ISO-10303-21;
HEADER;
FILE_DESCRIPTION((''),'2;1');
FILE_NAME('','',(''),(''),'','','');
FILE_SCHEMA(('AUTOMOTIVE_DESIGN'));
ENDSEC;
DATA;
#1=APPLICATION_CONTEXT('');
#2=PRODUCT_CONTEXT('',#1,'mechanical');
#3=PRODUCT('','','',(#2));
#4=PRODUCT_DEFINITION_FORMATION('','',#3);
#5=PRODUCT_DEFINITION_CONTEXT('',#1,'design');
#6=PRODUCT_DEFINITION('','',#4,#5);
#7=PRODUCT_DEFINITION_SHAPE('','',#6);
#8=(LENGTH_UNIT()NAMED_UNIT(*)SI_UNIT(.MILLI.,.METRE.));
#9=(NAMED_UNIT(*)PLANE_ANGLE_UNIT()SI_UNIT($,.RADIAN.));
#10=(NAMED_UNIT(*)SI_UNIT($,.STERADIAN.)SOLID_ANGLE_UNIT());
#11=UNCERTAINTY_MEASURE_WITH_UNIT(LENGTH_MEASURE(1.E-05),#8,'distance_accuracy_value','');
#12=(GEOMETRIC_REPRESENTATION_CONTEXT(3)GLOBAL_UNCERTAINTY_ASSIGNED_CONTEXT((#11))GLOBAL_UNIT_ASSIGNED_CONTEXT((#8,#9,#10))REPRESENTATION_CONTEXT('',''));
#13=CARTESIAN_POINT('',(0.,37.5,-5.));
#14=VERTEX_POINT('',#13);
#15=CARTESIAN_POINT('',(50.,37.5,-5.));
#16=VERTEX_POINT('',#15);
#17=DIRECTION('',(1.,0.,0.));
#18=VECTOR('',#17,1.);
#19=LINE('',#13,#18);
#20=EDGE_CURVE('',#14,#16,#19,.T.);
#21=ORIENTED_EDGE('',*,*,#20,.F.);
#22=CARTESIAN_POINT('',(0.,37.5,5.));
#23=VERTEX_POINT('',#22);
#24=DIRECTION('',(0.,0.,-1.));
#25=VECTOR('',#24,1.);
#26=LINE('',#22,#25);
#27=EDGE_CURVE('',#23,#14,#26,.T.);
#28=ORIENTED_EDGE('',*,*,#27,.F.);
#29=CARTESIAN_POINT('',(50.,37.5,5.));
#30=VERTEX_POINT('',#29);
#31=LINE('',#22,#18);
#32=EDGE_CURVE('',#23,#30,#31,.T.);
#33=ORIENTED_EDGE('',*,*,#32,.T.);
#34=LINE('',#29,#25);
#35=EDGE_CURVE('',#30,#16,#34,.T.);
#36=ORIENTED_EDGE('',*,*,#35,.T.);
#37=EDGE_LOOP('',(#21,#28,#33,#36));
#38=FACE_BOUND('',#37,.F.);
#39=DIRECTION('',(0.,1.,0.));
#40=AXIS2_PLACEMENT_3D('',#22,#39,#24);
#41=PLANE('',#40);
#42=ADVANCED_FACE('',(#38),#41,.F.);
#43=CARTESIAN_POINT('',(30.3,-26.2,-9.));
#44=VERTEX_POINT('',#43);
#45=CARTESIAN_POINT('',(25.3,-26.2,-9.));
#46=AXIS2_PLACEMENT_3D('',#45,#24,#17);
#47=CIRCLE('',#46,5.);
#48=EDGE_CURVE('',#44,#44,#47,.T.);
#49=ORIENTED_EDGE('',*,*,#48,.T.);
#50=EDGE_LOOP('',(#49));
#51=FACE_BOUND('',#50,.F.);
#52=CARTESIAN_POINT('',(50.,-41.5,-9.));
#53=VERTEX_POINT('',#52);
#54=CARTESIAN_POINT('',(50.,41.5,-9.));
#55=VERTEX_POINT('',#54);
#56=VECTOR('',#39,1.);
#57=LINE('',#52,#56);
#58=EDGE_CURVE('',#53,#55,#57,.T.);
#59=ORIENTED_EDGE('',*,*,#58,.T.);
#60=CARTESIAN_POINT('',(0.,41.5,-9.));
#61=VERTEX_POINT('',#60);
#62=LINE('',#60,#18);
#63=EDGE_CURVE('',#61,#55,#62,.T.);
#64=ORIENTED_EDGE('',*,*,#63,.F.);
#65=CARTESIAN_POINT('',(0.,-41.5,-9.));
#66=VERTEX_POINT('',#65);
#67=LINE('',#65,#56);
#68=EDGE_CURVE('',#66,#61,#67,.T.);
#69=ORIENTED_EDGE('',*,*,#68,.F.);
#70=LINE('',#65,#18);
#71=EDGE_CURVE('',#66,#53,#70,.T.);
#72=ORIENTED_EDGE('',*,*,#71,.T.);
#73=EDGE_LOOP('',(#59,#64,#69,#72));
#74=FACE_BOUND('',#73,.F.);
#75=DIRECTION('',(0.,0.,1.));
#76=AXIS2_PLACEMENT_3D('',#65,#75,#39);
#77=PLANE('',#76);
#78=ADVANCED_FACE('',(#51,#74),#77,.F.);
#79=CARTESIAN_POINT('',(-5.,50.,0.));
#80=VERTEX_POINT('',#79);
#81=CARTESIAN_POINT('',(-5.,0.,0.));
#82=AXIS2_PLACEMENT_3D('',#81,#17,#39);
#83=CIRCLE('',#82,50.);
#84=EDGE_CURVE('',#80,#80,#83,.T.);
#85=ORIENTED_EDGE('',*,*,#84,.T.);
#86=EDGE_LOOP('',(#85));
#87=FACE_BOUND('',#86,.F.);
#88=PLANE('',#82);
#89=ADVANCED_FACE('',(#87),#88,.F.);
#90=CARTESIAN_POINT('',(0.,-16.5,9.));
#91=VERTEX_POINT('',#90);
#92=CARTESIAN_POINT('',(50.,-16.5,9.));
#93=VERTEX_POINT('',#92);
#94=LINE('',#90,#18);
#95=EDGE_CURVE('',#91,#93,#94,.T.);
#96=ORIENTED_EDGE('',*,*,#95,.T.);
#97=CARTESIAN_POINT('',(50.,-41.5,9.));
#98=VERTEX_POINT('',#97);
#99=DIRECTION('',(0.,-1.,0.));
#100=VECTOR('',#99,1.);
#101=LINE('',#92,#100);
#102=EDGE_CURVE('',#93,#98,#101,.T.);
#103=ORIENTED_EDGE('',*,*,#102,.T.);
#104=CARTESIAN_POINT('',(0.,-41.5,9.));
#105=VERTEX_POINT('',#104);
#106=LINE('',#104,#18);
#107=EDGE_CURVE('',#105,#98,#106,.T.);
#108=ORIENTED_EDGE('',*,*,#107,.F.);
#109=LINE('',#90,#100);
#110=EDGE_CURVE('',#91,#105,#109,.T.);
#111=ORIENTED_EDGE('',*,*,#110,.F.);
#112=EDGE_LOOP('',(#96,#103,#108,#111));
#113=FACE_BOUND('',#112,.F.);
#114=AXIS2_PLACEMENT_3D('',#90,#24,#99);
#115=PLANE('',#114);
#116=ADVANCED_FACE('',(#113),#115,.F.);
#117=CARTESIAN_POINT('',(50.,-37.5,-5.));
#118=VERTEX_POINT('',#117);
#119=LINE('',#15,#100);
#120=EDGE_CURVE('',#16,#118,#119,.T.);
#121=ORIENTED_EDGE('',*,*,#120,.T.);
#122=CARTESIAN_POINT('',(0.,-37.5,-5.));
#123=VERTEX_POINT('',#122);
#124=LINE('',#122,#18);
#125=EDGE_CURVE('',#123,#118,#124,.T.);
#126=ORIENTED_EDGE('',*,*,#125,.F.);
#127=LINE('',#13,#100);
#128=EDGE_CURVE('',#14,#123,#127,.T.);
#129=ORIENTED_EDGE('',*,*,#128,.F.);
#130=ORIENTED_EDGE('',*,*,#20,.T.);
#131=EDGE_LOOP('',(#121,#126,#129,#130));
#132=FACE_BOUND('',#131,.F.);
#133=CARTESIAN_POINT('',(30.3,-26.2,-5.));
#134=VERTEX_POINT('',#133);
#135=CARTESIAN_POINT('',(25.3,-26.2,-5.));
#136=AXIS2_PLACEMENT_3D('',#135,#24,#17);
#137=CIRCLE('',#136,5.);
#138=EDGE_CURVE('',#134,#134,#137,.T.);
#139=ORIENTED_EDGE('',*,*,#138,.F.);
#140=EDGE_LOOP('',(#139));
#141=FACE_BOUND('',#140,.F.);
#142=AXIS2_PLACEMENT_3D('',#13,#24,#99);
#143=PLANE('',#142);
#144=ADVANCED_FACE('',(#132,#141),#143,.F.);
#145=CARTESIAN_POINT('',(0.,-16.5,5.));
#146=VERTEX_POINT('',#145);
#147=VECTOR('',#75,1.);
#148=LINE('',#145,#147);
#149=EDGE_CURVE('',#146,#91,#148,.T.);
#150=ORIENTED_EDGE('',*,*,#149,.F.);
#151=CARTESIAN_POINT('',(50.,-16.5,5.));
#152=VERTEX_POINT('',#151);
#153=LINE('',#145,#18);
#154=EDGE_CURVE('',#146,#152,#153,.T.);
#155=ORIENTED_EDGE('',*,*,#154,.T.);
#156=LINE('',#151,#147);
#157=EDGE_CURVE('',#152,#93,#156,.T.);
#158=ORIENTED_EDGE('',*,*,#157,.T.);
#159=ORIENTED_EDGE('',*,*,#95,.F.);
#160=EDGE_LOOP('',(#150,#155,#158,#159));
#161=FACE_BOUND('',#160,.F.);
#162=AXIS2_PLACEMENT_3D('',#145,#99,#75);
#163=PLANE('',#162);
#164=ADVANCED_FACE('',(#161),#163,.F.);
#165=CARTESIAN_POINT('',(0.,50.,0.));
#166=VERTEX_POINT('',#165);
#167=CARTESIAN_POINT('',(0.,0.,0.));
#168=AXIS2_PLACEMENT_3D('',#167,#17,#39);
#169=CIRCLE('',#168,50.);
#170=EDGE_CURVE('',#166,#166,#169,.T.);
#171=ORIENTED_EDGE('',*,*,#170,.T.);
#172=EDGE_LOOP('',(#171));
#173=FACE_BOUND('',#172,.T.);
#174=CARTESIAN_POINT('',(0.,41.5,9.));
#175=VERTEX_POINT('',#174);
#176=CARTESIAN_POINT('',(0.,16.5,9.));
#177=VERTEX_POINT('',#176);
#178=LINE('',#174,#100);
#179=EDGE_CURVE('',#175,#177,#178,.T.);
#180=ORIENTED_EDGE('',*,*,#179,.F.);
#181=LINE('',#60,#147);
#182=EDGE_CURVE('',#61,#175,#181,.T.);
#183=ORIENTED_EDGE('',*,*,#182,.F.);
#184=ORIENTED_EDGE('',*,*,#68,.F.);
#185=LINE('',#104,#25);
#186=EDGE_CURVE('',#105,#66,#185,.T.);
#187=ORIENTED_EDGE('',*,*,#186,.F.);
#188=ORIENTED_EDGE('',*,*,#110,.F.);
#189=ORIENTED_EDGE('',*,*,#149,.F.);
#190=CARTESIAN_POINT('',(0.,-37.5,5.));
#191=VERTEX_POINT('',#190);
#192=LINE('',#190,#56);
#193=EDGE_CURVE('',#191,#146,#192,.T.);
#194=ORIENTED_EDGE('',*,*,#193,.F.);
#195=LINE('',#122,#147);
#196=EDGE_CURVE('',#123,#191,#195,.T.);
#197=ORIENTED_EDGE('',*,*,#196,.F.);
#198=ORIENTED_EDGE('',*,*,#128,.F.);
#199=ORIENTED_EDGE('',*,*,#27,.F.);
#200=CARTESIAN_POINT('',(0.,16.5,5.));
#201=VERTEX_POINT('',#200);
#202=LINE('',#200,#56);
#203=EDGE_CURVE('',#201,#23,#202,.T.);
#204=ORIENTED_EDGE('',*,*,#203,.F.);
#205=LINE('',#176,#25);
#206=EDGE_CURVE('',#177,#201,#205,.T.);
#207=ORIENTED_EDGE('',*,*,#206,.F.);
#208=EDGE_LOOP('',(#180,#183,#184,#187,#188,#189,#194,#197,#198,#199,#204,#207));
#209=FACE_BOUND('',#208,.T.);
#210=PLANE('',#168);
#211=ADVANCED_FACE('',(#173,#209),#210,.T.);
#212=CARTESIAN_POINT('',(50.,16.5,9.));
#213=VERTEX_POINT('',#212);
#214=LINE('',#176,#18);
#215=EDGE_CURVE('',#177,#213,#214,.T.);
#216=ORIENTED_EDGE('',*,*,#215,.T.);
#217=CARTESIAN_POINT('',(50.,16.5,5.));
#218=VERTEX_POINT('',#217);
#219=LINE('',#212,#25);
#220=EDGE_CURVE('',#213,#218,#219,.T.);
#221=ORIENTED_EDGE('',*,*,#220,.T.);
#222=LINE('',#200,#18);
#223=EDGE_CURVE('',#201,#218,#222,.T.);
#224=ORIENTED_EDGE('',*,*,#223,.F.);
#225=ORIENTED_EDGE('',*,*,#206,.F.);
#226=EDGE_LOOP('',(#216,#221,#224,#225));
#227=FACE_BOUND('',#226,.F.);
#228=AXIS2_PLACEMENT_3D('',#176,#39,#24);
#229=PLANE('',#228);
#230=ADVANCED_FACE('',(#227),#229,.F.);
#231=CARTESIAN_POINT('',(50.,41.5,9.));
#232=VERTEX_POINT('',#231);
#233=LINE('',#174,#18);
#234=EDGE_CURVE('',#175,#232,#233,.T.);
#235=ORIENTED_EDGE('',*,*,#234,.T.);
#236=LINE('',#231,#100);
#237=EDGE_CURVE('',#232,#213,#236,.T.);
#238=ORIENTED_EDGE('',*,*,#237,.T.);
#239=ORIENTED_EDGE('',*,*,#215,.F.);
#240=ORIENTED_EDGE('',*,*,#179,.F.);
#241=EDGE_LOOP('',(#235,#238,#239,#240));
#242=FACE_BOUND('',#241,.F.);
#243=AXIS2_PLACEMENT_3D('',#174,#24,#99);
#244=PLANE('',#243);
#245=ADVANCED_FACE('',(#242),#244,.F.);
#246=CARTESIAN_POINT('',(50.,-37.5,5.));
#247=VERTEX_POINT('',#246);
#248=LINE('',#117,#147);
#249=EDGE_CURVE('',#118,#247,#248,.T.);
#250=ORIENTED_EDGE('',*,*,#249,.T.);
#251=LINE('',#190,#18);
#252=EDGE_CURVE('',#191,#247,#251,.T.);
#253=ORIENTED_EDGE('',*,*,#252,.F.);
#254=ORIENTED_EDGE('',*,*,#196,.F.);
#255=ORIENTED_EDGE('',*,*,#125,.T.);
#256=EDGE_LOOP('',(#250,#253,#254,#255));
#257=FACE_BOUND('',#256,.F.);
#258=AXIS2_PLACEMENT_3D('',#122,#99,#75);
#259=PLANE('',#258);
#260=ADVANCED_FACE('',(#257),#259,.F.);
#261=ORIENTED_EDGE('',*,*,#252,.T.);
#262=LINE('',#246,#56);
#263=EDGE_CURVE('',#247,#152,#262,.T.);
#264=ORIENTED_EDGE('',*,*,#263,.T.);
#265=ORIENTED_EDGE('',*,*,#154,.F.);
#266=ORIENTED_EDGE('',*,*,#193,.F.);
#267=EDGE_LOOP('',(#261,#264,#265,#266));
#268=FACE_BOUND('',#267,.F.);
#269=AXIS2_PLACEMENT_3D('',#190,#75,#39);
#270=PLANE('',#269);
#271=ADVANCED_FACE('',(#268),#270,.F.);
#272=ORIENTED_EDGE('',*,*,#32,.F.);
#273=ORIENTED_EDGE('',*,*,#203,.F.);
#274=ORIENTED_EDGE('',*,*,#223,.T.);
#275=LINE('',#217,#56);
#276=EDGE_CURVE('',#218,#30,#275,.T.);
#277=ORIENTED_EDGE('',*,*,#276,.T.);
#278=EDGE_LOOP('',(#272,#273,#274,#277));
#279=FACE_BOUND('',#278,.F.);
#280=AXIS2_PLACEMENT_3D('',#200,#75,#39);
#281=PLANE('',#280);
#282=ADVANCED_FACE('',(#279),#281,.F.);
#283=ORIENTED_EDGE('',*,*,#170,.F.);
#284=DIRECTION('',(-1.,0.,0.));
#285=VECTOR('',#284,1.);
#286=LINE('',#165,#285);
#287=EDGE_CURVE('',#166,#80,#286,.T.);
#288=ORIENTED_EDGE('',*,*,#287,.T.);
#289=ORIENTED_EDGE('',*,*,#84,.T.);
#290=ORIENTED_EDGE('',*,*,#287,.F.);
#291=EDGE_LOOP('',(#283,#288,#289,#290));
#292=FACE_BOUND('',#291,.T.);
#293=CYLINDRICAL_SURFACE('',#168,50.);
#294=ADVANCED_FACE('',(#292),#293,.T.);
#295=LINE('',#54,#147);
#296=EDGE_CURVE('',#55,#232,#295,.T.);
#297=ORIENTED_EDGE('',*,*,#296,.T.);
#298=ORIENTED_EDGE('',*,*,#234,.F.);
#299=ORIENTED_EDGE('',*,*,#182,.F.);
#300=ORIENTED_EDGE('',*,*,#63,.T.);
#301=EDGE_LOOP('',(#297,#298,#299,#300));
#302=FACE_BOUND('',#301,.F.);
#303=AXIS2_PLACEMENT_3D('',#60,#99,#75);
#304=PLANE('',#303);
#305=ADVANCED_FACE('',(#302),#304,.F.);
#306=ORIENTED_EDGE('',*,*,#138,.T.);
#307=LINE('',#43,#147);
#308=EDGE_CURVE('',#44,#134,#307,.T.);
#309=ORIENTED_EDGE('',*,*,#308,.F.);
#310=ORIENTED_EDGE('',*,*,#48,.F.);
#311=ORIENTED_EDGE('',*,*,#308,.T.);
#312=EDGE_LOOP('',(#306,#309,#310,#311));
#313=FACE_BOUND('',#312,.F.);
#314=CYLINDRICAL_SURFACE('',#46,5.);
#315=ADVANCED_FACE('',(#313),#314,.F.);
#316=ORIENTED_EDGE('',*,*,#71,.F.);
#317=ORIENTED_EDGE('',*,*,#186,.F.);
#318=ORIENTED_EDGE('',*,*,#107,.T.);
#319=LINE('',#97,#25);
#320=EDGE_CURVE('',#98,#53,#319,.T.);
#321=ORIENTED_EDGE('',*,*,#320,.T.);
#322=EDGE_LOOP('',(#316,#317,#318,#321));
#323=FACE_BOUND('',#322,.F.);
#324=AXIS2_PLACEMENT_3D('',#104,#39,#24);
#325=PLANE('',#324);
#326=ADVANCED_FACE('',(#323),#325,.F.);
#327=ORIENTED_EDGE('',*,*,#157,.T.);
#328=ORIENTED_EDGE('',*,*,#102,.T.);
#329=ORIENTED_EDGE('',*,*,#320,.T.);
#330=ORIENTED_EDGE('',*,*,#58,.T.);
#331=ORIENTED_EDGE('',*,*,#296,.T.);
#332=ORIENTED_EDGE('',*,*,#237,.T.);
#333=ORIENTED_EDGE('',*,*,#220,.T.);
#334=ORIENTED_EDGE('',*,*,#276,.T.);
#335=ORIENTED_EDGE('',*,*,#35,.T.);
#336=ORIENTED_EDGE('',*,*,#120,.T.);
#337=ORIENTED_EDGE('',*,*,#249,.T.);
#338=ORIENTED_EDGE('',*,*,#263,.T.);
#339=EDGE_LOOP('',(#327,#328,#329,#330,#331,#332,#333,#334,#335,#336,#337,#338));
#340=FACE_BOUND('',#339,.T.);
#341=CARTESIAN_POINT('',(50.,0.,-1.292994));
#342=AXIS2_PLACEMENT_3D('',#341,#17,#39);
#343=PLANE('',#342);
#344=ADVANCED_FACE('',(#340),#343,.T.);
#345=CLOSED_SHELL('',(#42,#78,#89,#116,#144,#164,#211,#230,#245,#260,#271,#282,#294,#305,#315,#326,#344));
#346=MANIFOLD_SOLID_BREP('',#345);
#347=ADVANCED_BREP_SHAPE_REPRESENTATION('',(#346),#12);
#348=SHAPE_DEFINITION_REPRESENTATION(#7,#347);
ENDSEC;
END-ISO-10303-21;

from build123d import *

# Parameters (mm, degrees)
F0_R     = 50
F1_DEPTH = 5
F3_DEPTH = 50
F4_R     = 5
F5_DEPTH = 4


with BuildPart() as f1:
    # F0 (on Right) → F1 (new body)
    with BuildSketch(Plane.YZ):
        Circle(F0_R)
    extrude(amount=-F1_DEPTH)

    # F2 (on Right) → F3 (join)
    with BuildSketch(Plane.YZ):
        Polygon((-41.5, 9), (-41.5, -9), (41.5, -9), (41.5, 9), (16.5, 9), (16.5, 5), (37.5, 5), (37.5, -5), (-37.5, -5), (-37.5, 5), (-16.5, 5), (-16.5, 9), align=None)
    extrude(amount=F3_DEPTH)

    # F4 (on face) → F5 (cut, through all)
    with BuildSketch(Plane(origin=(0, 0, -9), x_dir=(1, 0, 0), z_dir=(0, 0, -1))):
        with Locations((25.3, 26.2)):
            Circle(F4_R)
    extrude(amount=-F5_DEPTH, mode=Mode.SUBTRACT)


solid = f1.part
